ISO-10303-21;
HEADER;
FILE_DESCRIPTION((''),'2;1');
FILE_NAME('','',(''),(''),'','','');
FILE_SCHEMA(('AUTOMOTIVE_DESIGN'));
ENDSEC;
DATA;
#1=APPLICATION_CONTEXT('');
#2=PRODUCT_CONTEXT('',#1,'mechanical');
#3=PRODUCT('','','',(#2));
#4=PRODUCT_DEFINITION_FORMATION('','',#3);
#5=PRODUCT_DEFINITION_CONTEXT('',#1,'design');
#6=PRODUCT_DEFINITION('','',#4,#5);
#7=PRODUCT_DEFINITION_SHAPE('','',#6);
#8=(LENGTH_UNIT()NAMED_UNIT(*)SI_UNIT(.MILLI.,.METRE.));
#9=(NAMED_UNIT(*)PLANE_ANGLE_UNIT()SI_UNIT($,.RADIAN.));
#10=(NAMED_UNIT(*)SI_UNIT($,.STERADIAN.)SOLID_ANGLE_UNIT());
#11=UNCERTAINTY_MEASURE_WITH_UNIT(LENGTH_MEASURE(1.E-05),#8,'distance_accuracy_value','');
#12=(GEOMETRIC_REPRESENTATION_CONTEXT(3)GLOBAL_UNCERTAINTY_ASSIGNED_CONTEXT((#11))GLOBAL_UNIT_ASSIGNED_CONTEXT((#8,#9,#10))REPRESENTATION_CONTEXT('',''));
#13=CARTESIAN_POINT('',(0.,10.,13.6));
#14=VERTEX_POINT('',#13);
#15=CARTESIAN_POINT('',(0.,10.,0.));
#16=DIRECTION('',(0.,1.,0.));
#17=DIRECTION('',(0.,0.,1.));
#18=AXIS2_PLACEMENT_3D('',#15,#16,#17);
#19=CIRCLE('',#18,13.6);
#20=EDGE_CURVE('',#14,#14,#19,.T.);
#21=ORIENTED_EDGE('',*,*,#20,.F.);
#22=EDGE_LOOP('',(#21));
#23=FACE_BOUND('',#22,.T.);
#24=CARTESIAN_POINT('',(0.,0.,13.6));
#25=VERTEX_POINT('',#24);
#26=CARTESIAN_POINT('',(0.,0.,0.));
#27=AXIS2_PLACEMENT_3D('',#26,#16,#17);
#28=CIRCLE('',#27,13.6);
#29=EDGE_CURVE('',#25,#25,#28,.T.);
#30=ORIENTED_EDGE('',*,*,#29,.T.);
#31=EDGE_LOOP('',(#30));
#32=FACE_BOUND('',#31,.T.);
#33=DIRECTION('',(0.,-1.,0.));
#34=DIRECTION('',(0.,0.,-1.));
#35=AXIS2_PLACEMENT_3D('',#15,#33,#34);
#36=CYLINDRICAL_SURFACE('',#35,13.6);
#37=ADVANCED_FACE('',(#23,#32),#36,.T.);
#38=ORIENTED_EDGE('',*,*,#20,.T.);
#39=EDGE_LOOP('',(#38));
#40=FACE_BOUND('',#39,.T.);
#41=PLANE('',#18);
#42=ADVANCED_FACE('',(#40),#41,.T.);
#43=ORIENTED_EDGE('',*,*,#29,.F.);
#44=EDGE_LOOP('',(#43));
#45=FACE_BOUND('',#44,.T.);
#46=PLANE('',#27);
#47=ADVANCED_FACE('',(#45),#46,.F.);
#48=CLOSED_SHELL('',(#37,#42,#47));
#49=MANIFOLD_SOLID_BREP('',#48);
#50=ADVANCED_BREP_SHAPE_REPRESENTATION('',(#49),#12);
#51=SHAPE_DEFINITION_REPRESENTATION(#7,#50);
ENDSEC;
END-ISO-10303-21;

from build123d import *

# Parameters (mm, degrees)
SKETCH_1_R      = 13.6
EXTRUDE_1_DEPTH = 10


with BuildPart() as part:
    # 草图1 → 凸台-拉伸1 (new body)
    with BuildSketch(Plane(origin=(0, 0, 0), x_dir=(1, 0, 0), z_dir=(0, 1, 0))):
        with Locations(Location((0, 0, 0), (0, 0, 270))):
            Circle(SKETCH_1_R)
    extrude(amount=EXTRUDE_1_DEPTH)


solid = part.part
